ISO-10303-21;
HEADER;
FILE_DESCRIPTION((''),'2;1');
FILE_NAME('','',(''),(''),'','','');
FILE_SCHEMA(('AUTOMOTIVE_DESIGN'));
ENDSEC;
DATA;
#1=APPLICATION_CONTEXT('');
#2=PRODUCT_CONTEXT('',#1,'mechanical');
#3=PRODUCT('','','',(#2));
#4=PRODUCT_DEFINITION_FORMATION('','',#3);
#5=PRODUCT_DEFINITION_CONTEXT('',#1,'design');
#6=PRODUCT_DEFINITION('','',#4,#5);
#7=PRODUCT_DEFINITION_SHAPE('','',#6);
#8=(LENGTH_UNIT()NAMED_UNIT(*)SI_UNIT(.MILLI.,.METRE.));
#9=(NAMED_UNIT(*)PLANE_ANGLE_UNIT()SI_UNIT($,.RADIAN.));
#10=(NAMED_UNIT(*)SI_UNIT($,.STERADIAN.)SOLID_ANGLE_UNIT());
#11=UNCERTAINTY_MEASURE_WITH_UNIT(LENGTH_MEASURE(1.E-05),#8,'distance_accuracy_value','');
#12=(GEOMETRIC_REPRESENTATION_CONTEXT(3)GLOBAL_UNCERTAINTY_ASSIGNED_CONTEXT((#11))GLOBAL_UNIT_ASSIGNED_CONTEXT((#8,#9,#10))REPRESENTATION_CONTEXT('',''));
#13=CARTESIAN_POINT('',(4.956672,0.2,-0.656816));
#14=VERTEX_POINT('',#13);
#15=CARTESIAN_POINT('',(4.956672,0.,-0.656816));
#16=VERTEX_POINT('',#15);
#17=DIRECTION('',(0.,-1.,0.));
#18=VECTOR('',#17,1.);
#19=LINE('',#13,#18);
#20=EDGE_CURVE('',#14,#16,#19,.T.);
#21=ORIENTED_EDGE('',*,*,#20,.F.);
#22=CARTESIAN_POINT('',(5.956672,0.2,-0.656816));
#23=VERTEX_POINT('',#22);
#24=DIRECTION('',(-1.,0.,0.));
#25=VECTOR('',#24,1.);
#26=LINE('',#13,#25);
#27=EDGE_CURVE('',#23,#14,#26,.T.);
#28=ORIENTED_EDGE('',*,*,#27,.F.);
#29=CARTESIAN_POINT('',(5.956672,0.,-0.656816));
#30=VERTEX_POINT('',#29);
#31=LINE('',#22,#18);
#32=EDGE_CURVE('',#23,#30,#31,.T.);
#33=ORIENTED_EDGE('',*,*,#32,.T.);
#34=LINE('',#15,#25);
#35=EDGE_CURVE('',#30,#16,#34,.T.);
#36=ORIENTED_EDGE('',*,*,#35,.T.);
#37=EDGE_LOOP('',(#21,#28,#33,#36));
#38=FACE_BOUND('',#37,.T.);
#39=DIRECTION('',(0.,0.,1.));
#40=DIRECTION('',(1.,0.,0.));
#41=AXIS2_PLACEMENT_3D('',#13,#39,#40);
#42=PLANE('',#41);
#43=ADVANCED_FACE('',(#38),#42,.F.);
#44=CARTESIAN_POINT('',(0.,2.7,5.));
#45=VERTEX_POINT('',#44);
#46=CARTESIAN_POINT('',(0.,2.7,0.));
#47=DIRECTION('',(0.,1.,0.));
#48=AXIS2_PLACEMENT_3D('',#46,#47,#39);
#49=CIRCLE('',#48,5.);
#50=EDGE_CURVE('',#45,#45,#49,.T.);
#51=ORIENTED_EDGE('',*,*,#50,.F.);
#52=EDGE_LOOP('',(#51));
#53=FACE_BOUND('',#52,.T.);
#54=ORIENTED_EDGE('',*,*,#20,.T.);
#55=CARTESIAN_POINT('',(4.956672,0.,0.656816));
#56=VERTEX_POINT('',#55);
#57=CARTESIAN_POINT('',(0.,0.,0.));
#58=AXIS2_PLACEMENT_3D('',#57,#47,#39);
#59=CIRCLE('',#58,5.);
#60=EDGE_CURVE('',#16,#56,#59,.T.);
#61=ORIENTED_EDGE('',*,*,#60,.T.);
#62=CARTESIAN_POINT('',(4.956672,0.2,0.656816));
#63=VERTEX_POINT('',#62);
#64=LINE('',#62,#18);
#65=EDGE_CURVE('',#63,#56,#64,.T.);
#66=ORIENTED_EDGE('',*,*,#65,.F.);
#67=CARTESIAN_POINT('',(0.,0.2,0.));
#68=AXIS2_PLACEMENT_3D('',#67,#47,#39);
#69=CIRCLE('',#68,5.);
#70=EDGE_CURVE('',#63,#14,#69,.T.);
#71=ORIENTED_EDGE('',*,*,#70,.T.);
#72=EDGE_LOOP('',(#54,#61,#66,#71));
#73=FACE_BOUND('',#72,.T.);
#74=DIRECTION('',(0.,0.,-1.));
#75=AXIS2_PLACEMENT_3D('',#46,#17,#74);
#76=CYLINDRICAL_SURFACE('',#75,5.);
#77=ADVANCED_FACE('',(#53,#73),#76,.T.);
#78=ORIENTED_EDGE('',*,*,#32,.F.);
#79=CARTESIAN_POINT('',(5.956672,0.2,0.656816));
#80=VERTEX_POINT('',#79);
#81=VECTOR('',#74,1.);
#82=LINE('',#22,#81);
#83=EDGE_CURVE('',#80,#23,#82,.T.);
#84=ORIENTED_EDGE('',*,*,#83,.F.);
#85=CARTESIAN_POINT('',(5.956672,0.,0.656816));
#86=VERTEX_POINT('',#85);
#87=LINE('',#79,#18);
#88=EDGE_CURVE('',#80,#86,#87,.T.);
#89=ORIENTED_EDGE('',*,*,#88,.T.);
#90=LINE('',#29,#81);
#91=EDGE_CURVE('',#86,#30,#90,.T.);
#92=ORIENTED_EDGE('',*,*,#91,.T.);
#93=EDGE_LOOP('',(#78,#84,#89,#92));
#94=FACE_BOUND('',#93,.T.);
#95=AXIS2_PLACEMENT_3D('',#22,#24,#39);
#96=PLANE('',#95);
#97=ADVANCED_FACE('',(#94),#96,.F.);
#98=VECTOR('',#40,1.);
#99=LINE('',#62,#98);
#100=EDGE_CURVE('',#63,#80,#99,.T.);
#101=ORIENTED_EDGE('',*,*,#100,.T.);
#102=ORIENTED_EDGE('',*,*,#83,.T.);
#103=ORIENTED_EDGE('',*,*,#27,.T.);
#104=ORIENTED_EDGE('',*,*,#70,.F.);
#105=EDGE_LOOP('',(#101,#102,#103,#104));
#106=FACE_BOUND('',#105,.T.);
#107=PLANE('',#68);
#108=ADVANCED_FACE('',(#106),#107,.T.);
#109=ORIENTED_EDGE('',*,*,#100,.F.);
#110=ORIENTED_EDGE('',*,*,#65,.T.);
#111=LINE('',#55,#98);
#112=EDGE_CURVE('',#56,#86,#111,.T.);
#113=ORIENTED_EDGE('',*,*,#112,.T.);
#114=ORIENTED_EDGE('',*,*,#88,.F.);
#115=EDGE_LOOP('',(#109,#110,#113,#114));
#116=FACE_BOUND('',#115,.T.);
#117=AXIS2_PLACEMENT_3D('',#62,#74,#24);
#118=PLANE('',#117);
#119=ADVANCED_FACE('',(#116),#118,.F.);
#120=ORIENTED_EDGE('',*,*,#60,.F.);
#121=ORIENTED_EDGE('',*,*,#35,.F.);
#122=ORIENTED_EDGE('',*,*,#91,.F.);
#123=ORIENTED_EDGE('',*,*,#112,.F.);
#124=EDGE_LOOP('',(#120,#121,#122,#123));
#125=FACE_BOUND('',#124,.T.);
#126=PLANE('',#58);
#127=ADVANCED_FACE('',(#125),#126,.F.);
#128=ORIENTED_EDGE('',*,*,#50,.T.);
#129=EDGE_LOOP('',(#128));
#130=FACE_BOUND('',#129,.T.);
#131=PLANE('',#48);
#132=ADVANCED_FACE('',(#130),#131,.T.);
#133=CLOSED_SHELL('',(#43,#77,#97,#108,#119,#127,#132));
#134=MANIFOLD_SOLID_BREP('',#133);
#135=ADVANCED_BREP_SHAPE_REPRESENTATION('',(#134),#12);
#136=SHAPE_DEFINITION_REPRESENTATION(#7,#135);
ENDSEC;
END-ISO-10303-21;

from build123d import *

# Parameters (mm, degrees)
SKETCH1_R           = 5
BOSS_EXTRUDE1_DEPTH = 2.7
SKETCH2_W           = 1
SKETCH2_H           = 1.31363251
BOSS_EXTRUDE2_DEPTH = 0.2


with BuildPart() as part:
    # Sketch1 → Boss-Extrude1 (new body)
    with BuildSketch(Plane(origin=(0, 0, 0), x_dir=(1, 0, 0), z_dir=(0, 1, 0))):
        Circle(SKETCH1_R)
    extrude(amount=BOSS_EXTRUDE1_DEPTH)

    # Sketch2 → Boss-Extrude2 (add)
    with BuildSketch(Plane(origin=(0, 0, 0), x_dir=(1, 0, 0), z_dir=(0, 1, 0))):
        with Locations((5.456671505, 0)):
            Rectangle(SKETCH2_W, SKETCH2_H)
    extrude(amount=BOSS_EXTRUDE2_DEPTH)


solid = part.part
